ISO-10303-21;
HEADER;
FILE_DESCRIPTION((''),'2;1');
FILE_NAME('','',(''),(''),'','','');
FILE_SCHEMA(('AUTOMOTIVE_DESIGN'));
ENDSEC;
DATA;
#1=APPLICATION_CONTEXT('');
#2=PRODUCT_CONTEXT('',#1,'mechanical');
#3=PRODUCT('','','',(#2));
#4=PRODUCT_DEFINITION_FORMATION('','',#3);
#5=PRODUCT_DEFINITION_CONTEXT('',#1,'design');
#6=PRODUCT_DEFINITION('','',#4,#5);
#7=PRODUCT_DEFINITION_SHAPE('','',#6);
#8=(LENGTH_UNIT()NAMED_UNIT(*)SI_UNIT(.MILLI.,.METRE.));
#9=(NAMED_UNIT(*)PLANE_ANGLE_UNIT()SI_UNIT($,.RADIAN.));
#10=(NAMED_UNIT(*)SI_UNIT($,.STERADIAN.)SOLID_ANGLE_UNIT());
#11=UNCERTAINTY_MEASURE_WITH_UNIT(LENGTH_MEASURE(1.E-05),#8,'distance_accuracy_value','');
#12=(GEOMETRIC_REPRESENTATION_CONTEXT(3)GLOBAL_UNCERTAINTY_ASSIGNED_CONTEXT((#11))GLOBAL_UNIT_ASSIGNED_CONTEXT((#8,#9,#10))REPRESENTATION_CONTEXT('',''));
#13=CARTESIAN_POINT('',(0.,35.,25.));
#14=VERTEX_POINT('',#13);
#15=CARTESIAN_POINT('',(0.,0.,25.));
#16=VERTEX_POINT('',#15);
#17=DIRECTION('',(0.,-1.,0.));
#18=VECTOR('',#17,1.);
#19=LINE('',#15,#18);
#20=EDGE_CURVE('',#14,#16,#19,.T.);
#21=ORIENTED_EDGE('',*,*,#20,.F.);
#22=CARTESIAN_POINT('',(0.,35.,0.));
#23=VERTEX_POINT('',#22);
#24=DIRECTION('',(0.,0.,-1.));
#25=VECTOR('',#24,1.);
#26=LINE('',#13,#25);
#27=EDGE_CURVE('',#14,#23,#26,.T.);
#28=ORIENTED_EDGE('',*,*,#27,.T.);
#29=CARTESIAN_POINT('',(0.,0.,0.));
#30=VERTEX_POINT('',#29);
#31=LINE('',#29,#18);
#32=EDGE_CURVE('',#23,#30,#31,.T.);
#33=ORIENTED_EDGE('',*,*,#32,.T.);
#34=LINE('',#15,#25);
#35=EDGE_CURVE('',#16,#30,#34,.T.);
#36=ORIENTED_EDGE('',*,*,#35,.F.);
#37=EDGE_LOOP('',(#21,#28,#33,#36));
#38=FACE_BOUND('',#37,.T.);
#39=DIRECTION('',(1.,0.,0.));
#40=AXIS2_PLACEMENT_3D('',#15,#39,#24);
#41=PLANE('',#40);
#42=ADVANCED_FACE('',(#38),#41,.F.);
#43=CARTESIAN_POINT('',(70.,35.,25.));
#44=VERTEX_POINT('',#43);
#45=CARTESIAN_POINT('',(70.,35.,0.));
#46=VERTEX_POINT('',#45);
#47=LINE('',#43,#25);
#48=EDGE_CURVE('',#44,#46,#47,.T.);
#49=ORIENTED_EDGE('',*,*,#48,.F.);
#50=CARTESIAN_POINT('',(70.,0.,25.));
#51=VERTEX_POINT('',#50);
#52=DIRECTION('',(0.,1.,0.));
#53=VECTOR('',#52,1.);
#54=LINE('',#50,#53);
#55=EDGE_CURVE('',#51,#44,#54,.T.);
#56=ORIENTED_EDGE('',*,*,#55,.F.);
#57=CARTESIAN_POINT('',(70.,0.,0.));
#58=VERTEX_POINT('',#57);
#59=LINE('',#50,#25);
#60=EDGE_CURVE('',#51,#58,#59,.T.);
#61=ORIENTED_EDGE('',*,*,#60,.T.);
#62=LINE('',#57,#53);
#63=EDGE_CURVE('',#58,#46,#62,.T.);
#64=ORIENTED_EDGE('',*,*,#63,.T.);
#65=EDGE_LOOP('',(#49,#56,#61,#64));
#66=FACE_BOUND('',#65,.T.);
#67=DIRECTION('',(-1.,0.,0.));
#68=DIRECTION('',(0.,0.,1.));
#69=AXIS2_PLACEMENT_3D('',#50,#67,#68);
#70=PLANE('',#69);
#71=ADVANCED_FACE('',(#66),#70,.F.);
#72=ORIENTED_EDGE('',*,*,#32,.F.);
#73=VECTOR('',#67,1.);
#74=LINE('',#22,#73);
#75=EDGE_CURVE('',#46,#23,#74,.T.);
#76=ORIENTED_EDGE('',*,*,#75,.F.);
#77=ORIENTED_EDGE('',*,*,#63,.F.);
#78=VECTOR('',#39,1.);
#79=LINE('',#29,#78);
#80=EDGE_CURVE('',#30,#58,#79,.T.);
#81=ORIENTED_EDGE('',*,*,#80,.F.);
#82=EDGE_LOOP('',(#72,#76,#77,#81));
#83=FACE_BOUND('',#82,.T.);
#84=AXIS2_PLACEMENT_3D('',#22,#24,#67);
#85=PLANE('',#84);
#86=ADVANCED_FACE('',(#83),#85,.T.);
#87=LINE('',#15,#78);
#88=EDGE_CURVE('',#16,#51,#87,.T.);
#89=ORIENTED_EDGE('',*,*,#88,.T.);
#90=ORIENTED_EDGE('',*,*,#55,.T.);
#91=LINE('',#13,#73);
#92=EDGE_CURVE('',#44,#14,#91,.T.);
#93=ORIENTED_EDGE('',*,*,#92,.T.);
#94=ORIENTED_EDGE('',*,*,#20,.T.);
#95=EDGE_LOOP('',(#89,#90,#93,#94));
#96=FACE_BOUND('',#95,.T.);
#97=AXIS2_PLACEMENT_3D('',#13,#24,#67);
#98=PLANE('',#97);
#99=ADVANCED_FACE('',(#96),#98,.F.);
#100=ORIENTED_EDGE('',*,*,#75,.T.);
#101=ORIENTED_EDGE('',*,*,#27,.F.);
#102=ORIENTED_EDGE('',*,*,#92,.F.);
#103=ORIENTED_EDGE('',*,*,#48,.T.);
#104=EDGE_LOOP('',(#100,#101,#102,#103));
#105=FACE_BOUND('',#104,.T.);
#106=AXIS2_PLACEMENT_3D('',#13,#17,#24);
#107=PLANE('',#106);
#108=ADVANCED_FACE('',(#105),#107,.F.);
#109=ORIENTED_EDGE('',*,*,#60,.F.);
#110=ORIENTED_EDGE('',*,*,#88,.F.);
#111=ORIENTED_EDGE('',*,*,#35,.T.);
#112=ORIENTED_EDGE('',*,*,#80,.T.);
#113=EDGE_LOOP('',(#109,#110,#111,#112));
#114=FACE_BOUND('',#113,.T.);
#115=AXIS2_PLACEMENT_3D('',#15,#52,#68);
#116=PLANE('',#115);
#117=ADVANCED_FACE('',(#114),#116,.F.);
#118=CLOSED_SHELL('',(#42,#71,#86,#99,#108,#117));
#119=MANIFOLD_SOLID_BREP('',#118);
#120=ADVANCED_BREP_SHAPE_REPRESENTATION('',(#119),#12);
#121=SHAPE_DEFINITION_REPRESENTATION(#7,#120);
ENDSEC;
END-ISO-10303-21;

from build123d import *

# Parameters (mm, degrees)
ESQUISSE1_W        = 70
ESQUISSE1_H        = 35
BOSS_EXTRU_1_DEPTH = 25


with BuildPart() as part:
    # Esquisse1 → Boss.-Extru.1 (new body)
    with BuildSketch(Plane.XY):
        with Locations((35, 17.5)):
            Rectangle(ESQUISSE1_W, ESQUISSE1_H)
    extrude(amount=BOSS_EXTRU_1_DEPTH)


solid = part.part
